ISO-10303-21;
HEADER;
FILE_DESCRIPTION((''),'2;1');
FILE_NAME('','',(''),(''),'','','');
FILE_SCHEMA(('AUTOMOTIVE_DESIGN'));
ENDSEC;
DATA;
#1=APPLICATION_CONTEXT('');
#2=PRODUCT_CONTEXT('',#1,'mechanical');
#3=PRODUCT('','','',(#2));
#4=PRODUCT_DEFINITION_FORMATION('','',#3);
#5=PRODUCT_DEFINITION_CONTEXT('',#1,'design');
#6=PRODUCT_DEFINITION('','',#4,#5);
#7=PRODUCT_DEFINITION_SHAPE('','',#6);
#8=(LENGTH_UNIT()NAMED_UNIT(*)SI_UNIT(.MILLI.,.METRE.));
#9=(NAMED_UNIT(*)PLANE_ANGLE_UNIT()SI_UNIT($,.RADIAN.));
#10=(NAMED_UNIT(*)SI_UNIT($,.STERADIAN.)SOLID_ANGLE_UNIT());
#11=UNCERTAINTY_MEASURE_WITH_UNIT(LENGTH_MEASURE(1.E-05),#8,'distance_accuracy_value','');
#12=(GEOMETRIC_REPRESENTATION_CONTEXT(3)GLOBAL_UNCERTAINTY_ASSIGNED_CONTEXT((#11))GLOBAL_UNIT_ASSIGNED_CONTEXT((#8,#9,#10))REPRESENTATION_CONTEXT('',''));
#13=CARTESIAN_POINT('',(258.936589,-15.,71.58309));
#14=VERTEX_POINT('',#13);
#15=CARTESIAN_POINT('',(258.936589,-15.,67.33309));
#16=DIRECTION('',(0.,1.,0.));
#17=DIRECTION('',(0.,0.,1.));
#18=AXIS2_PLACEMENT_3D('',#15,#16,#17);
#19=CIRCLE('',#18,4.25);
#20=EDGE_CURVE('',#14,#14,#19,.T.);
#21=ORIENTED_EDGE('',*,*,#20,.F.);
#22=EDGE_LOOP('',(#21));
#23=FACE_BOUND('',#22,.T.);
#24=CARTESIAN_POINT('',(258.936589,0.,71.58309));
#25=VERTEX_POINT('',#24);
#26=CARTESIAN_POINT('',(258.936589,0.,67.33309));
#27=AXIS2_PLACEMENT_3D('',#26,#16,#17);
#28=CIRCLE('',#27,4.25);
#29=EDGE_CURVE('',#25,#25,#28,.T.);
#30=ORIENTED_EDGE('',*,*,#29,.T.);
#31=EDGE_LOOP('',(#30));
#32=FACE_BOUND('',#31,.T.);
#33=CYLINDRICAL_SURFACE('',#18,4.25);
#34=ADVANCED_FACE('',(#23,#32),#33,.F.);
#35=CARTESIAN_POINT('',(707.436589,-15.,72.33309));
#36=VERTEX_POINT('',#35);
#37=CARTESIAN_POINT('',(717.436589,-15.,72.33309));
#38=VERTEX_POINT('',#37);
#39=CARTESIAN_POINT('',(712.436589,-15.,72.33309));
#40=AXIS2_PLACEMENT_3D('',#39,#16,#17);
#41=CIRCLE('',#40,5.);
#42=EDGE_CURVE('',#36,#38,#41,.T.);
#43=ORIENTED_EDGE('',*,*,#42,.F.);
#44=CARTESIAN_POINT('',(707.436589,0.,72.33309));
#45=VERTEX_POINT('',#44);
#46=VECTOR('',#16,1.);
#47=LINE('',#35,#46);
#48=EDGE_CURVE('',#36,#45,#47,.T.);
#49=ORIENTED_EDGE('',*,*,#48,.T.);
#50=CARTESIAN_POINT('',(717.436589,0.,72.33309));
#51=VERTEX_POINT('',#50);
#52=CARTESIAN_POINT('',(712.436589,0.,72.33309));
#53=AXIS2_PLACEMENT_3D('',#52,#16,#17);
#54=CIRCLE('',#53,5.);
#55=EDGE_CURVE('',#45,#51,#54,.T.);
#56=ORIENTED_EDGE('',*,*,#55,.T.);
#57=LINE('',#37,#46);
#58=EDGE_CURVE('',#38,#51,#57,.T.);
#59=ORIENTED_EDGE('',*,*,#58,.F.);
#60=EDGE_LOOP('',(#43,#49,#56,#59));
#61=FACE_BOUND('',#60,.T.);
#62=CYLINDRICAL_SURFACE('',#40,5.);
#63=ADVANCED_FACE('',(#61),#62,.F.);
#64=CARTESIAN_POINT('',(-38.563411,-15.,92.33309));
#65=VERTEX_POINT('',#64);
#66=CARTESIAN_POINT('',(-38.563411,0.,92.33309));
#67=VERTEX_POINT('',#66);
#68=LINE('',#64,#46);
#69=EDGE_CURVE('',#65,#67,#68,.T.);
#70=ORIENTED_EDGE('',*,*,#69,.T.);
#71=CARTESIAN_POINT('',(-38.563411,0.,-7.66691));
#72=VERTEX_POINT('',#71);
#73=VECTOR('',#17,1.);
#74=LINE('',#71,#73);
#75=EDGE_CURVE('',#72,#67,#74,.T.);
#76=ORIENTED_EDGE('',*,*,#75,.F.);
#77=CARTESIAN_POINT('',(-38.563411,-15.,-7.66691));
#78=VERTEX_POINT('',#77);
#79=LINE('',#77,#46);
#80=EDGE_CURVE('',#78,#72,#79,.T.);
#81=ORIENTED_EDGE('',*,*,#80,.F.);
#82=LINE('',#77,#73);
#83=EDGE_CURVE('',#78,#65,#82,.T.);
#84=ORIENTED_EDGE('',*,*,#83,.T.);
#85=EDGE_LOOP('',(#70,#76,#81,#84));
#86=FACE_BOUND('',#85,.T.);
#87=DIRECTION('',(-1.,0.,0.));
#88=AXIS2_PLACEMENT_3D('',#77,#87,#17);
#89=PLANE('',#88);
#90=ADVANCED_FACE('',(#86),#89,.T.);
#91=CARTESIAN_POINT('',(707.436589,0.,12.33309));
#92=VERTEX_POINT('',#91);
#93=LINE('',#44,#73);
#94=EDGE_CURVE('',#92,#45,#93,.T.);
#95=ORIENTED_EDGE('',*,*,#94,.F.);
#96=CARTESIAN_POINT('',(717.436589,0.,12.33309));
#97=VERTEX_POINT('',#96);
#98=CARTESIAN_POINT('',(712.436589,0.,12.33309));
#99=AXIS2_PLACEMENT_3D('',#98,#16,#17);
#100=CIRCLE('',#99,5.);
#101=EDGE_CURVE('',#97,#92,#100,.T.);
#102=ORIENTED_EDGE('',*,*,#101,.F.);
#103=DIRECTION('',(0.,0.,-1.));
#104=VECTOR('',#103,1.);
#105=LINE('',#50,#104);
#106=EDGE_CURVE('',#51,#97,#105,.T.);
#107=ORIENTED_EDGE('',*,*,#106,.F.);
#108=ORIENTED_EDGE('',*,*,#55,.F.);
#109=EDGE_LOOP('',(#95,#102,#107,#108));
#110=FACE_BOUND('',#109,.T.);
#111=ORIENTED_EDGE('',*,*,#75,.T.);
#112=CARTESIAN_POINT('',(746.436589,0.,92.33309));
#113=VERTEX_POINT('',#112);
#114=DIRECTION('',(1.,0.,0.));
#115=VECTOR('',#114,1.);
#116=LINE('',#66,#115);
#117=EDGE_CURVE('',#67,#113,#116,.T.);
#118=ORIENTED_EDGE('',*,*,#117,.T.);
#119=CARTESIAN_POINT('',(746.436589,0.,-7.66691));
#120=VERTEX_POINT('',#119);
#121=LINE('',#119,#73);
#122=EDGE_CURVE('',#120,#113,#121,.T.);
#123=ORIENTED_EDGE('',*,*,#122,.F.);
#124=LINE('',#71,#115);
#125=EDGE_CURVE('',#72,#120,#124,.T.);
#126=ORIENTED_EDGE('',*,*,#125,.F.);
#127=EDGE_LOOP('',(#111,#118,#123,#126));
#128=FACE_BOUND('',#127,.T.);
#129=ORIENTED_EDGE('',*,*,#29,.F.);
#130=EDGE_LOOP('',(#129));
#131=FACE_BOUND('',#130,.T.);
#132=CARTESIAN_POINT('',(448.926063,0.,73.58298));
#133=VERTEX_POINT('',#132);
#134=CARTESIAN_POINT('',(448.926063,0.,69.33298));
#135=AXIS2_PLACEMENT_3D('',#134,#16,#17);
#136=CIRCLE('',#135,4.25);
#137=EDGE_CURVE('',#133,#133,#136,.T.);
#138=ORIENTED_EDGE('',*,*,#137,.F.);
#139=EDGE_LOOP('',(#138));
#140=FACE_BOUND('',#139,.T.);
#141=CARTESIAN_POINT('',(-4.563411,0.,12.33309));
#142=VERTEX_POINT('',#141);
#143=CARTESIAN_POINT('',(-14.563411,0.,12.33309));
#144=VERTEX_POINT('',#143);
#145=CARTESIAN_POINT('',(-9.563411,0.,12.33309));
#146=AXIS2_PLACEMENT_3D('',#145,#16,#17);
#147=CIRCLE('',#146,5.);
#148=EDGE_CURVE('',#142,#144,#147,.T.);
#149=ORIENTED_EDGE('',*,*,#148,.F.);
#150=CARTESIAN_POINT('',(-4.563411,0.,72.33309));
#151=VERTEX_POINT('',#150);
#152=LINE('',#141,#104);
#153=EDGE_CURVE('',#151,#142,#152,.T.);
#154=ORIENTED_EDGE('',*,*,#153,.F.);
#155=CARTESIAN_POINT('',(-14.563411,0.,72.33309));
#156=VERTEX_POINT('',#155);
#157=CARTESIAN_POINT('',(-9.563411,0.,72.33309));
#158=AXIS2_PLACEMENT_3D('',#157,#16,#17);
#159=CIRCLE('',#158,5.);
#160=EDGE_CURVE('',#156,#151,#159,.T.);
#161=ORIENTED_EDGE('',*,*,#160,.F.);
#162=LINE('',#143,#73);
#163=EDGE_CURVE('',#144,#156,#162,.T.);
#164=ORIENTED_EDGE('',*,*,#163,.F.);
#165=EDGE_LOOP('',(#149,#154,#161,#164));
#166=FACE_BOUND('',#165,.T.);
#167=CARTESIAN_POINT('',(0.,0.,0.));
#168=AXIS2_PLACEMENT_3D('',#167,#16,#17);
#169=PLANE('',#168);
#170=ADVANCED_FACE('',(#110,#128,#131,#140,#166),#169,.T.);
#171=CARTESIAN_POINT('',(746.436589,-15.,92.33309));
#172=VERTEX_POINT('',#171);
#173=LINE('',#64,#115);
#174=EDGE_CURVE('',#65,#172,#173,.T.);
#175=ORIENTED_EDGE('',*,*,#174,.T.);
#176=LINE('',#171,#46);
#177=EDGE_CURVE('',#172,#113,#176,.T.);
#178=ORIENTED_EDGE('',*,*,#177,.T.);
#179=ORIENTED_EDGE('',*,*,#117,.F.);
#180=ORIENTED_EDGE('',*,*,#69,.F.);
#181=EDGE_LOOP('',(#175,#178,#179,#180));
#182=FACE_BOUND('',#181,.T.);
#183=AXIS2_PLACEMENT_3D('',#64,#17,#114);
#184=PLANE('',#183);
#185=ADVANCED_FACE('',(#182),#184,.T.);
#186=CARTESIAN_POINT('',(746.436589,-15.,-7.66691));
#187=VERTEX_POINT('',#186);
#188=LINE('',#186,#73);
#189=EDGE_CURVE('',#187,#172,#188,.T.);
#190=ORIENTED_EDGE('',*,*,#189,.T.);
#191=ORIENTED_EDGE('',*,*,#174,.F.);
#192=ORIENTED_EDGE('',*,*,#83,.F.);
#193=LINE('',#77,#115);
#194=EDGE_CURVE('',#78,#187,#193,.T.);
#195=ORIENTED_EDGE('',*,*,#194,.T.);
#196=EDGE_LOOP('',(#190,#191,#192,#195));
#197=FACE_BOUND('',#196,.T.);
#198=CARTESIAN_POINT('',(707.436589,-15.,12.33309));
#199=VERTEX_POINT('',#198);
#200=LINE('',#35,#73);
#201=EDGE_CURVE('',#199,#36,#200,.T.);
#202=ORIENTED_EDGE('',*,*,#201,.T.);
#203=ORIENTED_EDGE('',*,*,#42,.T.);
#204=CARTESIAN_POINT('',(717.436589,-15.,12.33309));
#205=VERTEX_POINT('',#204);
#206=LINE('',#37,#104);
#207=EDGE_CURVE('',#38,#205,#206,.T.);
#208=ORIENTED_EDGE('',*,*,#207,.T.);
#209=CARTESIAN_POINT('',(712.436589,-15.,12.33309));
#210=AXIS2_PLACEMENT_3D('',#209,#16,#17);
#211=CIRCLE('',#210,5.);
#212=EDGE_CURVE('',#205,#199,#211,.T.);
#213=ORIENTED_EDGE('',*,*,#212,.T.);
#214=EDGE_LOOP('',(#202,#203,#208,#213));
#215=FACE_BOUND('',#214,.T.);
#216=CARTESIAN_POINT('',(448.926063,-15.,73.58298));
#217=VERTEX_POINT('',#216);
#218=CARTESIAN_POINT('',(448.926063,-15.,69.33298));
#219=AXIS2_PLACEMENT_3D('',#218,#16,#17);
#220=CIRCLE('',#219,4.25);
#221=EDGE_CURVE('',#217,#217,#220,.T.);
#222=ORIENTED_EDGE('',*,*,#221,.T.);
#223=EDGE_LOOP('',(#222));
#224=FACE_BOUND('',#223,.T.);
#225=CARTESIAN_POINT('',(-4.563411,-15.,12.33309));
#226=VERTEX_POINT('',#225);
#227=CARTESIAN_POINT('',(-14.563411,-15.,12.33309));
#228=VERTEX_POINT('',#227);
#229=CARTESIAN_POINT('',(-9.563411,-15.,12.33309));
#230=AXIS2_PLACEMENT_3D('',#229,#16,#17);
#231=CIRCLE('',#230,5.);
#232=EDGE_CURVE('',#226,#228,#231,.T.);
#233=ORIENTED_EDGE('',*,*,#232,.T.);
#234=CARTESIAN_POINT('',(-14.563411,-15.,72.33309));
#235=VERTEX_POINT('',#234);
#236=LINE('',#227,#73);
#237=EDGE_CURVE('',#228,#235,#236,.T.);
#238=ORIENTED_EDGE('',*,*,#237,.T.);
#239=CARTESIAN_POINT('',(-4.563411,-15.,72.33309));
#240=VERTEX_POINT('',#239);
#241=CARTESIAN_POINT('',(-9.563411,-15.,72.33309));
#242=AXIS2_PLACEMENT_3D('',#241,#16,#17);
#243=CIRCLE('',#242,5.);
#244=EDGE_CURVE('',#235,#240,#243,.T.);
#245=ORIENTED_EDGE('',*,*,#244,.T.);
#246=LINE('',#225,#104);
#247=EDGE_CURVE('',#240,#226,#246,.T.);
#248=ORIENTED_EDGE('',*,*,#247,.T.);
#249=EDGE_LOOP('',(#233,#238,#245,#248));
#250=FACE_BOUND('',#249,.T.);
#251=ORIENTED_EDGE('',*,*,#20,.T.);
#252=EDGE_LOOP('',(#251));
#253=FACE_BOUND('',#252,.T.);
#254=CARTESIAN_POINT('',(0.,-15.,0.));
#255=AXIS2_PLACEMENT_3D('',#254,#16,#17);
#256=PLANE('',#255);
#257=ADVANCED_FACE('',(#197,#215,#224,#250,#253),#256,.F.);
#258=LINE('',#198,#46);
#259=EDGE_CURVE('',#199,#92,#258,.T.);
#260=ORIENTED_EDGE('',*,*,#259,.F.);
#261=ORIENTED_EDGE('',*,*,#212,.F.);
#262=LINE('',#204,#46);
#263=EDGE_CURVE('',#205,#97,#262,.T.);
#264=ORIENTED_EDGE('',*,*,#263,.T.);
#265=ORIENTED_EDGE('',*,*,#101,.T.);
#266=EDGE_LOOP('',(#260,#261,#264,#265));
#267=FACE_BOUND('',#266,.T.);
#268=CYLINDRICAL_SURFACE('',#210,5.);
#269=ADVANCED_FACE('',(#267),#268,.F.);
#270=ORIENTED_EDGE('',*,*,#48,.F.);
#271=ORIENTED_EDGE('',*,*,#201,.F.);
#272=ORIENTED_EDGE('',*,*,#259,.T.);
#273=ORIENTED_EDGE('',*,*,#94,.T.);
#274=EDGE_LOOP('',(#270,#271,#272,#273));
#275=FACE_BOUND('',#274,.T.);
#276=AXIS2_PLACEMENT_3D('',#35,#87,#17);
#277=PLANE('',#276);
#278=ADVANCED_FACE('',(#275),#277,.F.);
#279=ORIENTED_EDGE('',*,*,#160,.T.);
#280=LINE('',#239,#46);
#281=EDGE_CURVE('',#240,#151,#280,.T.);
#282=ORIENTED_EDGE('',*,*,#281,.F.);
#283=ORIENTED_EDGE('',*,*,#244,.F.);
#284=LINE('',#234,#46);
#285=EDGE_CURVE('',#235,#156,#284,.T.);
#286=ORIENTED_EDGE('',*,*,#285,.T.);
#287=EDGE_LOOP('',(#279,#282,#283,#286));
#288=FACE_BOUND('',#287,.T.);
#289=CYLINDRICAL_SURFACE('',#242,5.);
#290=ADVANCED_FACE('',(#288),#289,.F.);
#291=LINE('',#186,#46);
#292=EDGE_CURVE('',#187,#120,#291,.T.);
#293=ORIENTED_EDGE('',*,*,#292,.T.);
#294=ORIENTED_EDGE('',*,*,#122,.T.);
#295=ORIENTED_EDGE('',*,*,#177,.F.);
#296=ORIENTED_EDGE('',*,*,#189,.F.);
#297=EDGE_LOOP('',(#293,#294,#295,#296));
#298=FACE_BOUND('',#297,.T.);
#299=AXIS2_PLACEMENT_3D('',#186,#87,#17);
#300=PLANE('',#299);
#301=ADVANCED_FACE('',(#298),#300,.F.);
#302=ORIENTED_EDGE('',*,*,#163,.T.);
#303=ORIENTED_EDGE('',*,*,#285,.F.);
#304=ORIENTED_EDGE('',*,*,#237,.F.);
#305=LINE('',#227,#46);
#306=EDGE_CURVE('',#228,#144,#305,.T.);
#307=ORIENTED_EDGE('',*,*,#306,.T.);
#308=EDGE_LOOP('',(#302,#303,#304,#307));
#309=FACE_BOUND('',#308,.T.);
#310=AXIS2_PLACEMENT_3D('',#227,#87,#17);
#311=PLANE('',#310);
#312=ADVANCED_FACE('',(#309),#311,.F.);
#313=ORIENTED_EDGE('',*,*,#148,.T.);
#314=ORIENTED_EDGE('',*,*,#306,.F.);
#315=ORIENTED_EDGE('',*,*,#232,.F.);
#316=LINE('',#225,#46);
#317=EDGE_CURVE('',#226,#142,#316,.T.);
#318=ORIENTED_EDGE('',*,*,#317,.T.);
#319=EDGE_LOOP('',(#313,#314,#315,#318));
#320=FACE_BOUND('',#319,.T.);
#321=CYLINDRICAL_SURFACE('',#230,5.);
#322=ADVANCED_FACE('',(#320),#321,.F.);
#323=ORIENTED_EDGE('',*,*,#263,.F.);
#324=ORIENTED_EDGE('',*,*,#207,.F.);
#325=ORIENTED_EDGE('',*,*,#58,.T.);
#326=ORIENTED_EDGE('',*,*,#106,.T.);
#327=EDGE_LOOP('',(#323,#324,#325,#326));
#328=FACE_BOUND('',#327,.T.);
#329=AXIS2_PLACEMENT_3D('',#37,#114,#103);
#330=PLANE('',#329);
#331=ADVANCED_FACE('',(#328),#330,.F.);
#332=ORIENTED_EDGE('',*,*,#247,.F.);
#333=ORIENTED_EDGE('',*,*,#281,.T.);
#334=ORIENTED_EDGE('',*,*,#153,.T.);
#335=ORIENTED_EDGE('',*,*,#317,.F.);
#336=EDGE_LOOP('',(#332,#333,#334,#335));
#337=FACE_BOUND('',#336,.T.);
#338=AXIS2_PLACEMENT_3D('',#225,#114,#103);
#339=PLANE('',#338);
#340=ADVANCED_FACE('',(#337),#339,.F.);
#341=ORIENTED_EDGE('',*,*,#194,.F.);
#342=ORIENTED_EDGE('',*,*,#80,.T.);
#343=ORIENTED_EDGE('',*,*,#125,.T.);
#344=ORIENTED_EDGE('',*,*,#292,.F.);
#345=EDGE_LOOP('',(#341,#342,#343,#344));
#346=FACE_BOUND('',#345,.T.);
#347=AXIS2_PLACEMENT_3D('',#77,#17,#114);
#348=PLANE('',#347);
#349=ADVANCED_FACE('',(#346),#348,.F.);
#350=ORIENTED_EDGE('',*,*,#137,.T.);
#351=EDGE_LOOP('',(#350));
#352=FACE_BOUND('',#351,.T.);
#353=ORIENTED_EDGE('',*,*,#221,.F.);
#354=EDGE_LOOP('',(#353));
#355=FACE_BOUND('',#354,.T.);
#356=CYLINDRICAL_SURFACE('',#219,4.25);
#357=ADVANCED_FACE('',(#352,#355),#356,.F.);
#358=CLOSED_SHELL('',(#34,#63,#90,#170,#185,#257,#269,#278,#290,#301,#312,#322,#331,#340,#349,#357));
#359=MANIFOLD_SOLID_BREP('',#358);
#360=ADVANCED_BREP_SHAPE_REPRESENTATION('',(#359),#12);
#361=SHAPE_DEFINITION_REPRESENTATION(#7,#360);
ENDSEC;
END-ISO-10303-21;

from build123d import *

# Parameters (mm, degrees)
CROQUIS1_W              = 785
CROQUIS1_H              = 100
SALIENTE_EXTRUIR1_DEPTH = 15
CROQUIS5_R              = 4.25
CORTAR_EXTRUIR4_DEPTH   = 16
CORTAR_EXTRUIR5_DEPTH   = 16


with BuildPart() as part:
    # Croquis1 → Saliente-Extruir1 (new body)
    with BuildSketch(Plane(origin=(0, 0, 0), x_dir=(1, 0, 0), z_dir=(0, 1, 0))):
        with Locations((353.936588921, -42.333090379)):
            Rectangle(CROQUIS1_W, CROQUIS1_H)
    extrude(amount=-SALIENTE_EXTRUIR1_DEPTH)

    # Croquis5 → Cortar-Extruir4 (cut, through all)
    with BuildSketch(Plane(origin=(0, 0, 0), x_dir=(1, 0, 0), z_dir=(0, 1, 0))):
        with Locations((258.936588921, -67.333090379)):
            Circle(CROQUIS5_R)
        with Locations((448.92606348, -69.332979585)):
            Circle(CROQUIS5_R)
    extrude(amount=-CORTAR_EXTRUIR4_DEPTH, mode=Mode.SUBTRACT)

    # Croquis6 → Cortar-Extruir5 (cut, through all)
    with BuildSketch(Plane(origin=(0, 0, 0), x_dir=(1, 0, 0), z_dir=(0, 1, 0))):
        with BuildLine():
            Line((717.436588921, -72.333090379), (717.436588921, -12.333090379))
            ThreePointArc((717.436588921, -12.333090379), (712.436588921, -7.333090379), (707.436588921, -12.333090379))
            Line((707.436588921, -12.333090379), (707.436588921, -72.333090379))
            ThreePointArc((707.436588921, -72.333090379), (712.436588921, -77.333090379), (717.436588921, -72.333090379))
        make_face()
        with BuildLine():
            Line((-4.563411079, -12.333090379), (-4.563411079, -72.333090379))
            ThreePointArc((-4.563411079, -72.333090379), (-9.563411079, -77.333090379), (-14.563411079, -72.333090379))
            Line((-14.563411079, -72.333090379), (-14.563411079, -12.333090379))
            ThreePointArc((-14.563411079, -12.333090379), (-9.563411079, -7.333090379), (-4.563411079, -12.333090379))
        make_face()
    extrude(amount=-CORTAR_EXTRUIR5_DEPTH, mode=Mode.SUBTRACT)


solid = part.part
